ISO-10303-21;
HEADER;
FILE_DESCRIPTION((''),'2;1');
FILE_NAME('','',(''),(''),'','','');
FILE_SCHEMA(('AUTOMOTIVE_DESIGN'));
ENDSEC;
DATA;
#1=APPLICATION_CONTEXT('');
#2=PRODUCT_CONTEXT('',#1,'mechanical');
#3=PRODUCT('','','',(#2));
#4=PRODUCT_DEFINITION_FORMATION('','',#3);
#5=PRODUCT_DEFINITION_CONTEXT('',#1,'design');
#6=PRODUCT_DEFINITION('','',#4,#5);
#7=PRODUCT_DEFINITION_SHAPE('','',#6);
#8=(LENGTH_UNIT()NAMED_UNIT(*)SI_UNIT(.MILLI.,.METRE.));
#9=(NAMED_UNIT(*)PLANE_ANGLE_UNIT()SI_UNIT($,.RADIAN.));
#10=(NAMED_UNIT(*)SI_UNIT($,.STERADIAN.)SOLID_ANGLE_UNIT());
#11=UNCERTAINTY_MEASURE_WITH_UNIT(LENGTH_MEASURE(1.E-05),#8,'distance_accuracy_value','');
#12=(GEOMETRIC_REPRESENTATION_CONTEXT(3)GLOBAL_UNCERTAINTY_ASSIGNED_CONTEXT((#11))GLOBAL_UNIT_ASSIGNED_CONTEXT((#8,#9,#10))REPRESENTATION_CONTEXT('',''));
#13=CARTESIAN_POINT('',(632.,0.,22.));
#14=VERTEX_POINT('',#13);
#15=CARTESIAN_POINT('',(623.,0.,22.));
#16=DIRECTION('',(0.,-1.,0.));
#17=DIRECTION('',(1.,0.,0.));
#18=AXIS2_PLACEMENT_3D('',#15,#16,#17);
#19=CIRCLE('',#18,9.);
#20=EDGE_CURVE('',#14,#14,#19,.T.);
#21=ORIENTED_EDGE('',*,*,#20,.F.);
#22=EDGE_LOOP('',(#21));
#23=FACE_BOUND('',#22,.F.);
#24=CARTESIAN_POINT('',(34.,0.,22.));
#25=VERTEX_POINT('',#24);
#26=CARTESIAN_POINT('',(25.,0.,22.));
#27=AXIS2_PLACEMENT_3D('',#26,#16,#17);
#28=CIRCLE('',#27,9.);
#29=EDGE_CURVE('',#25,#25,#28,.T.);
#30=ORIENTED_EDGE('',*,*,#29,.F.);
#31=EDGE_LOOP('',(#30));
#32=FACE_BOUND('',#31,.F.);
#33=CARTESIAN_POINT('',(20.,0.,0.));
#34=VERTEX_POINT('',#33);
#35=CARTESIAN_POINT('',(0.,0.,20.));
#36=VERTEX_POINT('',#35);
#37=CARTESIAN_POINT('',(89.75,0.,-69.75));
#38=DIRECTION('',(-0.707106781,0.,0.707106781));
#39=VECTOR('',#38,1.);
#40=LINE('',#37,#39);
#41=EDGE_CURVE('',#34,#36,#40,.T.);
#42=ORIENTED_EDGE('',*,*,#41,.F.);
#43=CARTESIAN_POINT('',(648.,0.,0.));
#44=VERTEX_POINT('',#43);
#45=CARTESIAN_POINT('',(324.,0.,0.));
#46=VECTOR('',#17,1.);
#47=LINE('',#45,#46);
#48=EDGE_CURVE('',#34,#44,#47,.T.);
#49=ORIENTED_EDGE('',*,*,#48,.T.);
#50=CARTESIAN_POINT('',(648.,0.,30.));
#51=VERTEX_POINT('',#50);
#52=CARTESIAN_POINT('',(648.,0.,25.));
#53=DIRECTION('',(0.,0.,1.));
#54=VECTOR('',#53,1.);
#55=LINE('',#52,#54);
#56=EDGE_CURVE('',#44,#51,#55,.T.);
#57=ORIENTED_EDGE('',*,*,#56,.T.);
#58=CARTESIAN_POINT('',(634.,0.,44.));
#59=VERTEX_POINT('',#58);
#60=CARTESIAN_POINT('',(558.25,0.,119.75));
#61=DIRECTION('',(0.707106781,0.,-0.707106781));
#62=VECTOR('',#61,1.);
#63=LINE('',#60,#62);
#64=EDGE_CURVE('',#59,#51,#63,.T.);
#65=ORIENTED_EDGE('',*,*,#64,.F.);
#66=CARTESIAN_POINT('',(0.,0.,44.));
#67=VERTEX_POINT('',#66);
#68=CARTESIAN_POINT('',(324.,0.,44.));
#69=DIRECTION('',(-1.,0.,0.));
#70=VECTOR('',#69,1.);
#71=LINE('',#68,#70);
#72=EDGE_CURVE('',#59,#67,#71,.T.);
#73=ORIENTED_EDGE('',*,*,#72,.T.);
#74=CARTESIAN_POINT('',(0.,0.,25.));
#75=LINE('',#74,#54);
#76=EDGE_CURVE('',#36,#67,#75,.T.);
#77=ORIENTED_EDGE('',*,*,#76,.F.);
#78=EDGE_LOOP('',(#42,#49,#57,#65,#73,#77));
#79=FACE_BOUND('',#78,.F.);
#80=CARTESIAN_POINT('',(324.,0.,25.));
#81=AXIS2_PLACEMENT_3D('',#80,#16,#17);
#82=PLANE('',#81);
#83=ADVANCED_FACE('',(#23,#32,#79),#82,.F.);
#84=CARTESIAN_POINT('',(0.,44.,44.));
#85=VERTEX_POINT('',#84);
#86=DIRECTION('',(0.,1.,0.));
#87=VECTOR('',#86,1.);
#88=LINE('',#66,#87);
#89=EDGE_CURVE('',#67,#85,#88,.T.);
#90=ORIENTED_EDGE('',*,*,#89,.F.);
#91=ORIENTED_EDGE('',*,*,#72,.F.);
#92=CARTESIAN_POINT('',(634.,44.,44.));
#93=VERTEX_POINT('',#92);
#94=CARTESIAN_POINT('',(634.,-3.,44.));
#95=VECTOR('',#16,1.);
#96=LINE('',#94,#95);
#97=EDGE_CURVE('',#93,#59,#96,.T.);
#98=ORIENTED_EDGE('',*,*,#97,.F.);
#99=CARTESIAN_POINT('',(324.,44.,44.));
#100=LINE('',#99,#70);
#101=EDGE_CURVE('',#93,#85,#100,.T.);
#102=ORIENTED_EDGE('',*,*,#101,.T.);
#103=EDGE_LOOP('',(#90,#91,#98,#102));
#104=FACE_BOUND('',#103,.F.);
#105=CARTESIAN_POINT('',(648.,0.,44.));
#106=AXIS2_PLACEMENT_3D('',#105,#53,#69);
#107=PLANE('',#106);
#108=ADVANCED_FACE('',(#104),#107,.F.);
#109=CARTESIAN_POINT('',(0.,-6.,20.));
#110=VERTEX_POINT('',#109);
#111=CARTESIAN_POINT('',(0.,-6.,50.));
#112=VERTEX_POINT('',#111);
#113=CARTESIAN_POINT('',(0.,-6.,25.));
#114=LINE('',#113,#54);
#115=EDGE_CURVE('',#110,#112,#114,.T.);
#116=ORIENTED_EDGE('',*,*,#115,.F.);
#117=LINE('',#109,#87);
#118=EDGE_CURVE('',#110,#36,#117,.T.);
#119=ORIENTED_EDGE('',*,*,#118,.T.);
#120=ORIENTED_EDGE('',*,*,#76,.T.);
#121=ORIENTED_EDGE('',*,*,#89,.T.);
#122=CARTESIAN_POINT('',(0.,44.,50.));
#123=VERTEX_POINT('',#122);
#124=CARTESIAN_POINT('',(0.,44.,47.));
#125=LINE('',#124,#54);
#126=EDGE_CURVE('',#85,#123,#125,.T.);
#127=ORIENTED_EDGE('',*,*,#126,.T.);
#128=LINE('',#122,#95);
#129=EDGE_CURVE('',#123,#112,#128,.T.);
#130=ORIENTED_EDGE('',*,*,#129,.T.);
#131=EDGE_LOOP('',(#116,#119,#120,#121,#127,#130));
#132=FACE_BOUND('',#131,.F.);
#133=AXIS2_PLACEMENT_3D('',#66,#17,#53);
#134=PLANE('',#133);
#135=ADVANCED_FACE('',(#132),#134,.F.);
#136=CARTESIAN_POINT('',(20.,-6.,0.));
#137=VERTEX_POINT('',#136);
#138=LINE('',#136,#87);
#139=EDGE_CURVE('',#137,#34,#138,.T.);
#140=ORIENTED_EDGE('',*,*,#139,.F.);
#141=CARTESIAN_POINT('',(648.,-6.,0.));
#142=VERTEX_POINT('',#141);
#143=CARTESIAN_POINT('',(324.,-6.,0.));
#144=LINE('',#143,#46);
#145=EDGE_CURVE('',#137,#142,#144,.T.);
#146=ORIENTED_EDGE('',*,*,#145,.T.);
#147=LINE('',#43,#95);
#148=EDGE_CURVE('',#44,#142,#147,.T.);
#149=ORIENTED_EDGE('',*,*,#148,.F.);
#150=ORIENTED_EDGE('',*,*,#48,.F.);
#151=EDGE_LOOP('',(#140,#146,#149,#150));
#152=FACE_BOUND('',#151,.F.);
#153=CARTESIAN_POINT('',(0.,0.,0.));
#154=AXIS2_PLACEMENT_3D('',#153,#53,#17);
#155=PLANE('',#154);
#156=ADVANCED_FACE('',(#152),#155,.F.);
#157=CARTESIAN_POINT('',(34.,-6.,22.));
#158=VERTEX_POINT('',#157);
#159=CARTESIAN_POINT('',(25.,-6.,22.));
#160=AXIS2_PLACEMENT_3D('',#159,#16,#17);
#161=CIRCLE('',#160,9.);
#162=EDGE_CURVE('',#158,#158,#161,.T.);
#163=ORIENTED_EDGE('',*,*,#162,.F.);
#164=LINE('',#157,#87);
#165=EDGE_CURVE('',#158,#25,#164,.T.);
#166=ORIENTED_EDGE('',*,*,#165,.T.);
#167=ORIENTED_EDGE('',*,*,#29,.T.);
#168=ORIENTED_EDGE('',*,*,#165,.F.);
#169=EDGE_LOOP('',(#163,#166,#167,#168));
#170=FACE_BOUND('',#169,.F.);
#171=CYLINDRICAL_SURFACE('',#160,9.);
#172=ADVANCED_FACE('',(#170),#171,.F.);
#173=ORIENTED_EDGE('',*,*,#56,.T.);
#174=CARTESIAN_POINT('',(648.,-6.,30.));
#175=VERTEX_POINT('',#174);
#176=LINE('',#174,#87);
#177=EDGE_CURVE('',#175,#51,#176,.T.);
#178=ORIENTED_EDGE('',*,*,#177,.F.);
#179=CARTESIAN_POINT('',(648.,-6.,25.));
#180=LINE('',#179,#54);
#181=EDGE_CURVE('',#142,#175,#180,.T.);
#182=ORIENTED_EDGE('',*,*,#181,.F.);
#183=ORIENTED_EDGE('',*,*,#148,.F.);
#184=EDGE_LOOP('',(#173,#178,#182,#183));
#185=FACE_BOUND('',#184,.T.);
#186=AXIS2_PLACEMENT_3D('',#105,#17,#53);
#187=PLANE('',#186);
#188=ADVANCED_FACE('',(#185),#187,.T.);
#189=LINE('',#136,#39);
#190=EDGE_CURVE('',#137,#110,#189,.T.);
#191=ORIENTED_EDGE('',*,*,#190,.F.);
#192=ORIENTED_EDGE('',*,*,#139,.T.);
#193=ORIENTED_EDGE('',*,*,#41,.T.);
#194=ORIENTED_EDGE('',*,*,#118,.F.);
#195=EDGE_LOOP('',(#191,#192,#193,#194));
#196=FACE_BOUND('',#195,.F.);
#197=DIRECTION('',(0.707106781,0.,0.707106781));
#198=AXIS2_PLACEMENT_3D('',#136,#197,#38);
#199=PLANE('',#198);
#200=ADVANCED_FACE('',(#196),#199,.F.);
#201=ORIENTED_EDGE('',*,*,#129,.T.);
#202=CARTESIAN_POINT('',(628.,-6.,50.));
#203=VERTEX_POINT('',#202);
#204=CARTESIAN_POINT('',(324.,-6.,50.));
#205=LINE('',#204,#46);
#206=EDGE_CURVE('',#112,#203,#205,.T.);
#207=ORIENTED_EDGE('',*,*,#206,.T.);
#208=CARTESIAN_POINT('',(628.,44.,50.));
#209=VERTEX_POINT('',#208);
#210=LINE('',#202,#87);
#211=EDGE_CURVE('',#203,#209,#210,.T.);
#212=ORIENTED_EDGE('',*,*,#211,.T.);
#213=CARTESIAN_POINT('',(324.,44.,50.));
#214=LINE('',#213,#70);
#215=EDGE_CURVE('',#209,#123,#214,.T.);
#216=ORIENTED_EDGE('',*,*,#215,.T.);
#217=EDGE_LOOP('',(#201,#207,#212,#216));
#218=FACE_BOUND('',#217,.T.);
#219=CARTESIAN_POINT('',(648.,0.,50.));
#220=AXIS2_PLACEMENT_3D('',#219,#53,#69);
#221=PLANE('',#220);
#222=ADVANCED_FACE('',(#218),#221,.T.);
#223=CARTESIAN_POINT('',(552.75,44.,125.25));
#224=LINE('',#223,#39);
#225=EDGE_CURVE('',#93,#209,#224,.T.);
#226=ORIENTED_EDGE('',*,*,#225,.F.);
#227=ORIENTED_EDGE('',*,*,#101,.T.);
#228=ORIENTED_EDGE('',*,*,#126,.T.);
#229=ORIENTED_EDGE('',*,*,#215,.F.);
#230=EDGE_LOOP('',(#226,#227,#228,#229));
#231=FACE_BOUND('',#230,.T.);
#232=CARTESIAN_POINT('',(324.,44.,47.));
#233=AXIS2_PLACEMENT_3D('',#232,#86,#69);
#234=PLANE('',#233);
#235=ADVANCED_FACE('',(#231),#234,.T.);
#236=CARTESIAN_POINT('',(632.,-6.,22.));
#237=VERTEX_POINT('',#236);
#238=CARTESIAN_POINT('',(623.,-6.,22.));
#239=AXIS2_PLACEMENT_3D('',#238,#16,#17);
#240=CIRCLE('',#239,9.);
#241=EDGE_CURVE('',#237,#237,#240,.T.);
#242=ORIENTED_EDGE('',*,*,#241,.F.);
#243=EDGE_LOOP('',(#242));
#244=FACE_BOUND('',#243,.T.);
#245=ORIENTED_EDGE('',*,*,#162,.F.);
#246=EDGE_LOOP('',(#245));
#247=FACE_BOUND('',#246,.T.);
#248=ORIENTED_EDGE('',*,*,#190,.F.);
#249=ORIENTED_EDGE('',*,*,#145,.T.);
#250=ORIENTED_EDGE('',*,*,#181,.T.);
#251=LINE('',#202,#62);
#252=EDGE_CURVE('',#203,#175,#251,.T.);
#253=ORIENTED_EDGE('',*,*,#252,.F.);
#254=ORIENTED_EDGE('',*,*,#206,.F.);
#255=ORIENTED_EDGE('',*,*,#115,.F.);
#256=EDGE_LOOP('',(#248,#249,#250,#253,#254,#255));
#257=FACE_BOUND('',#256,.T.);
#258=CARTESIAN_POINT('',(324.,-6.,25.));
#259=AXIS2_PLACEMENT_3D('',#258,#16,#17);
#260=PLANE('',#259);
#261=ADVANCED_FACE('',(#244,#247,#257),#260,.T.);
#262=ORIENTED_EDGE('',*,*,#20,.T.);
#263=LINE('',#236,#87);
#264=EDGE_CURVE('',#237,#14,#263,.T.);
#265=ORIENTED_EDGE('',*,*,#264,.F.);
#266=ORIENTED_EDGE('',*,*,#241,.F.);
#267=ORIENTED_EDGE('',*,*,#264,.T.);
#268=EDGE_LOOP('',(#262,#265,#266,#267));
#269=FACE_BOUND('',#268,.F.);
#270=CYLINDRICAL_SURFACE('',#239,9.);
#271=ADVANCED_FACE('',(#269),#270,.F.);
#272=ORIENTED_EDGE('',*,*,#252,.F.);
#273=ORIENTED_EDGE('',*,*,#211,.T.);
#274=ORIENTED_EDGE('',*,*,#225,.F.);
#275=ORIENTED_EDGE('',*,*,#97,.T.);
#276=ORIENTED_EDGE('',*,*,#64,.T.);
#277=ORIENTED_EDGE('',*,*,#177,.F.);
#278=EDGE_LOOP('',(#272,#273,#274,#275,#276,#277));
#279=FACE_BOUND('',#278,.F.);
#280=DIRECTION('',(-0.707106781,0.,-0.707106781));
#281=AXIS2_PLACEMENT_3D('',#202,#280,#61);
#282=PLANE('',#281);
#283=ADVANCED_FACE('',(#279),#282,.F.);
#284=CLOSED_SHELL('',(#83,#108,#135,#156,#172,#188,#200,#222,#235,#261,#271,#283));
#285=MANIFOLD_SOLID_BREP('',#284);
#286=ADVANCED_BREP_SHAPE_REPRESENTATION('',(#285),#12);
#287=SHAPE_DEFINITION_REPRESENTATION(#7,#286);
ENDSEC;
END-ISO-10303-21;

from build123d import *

# Parameters (mm, degrees)
F0_W     = 648
F0_H     = 50
F1_DEPTH = 6
F2_W     = 648
F2_H     = 6
F3_DEPTH = 44
F4_R     = 9
F5_DEPTH = 50.001


with BuildPart() as f1:
    # F0 (on Front) → F1 (new body)
    with BuildSketch(Plane.XZ):
        with Locations((324, 25)):
            Rectangle(F0_W, F0_H)
    extrude(amount=F1_DEPTH)

    # F2 (on face) → F3 (join)
    with BuildSketch(Plane(origin=(0, 0, 0), x_dir=(-1, 0, 0), z_dir=(0, 1, 0))):
        with Locations((-324, 47)):
            Rectangle(F2_W, F2_H)
    extrude(amount=F3_DEPTH)

    # F4 (on face) → F5 (cut, through all)
    with BuildSketch(Plane.XZ.offset(6)):
        Polygon((20, 0), (0, 20), (0, 0), align=None)
        Polygon((628, 50), (648, 30), (648, 50), align=None)
        with Locations((25, 22)):
            Circle(F4_R)
        with Locations((623, 22)):
            Circle(F4_R)
    extrude(amount=-F5_DEPTH, mode=Mode.SUBTRACT)


solid = f1.part
